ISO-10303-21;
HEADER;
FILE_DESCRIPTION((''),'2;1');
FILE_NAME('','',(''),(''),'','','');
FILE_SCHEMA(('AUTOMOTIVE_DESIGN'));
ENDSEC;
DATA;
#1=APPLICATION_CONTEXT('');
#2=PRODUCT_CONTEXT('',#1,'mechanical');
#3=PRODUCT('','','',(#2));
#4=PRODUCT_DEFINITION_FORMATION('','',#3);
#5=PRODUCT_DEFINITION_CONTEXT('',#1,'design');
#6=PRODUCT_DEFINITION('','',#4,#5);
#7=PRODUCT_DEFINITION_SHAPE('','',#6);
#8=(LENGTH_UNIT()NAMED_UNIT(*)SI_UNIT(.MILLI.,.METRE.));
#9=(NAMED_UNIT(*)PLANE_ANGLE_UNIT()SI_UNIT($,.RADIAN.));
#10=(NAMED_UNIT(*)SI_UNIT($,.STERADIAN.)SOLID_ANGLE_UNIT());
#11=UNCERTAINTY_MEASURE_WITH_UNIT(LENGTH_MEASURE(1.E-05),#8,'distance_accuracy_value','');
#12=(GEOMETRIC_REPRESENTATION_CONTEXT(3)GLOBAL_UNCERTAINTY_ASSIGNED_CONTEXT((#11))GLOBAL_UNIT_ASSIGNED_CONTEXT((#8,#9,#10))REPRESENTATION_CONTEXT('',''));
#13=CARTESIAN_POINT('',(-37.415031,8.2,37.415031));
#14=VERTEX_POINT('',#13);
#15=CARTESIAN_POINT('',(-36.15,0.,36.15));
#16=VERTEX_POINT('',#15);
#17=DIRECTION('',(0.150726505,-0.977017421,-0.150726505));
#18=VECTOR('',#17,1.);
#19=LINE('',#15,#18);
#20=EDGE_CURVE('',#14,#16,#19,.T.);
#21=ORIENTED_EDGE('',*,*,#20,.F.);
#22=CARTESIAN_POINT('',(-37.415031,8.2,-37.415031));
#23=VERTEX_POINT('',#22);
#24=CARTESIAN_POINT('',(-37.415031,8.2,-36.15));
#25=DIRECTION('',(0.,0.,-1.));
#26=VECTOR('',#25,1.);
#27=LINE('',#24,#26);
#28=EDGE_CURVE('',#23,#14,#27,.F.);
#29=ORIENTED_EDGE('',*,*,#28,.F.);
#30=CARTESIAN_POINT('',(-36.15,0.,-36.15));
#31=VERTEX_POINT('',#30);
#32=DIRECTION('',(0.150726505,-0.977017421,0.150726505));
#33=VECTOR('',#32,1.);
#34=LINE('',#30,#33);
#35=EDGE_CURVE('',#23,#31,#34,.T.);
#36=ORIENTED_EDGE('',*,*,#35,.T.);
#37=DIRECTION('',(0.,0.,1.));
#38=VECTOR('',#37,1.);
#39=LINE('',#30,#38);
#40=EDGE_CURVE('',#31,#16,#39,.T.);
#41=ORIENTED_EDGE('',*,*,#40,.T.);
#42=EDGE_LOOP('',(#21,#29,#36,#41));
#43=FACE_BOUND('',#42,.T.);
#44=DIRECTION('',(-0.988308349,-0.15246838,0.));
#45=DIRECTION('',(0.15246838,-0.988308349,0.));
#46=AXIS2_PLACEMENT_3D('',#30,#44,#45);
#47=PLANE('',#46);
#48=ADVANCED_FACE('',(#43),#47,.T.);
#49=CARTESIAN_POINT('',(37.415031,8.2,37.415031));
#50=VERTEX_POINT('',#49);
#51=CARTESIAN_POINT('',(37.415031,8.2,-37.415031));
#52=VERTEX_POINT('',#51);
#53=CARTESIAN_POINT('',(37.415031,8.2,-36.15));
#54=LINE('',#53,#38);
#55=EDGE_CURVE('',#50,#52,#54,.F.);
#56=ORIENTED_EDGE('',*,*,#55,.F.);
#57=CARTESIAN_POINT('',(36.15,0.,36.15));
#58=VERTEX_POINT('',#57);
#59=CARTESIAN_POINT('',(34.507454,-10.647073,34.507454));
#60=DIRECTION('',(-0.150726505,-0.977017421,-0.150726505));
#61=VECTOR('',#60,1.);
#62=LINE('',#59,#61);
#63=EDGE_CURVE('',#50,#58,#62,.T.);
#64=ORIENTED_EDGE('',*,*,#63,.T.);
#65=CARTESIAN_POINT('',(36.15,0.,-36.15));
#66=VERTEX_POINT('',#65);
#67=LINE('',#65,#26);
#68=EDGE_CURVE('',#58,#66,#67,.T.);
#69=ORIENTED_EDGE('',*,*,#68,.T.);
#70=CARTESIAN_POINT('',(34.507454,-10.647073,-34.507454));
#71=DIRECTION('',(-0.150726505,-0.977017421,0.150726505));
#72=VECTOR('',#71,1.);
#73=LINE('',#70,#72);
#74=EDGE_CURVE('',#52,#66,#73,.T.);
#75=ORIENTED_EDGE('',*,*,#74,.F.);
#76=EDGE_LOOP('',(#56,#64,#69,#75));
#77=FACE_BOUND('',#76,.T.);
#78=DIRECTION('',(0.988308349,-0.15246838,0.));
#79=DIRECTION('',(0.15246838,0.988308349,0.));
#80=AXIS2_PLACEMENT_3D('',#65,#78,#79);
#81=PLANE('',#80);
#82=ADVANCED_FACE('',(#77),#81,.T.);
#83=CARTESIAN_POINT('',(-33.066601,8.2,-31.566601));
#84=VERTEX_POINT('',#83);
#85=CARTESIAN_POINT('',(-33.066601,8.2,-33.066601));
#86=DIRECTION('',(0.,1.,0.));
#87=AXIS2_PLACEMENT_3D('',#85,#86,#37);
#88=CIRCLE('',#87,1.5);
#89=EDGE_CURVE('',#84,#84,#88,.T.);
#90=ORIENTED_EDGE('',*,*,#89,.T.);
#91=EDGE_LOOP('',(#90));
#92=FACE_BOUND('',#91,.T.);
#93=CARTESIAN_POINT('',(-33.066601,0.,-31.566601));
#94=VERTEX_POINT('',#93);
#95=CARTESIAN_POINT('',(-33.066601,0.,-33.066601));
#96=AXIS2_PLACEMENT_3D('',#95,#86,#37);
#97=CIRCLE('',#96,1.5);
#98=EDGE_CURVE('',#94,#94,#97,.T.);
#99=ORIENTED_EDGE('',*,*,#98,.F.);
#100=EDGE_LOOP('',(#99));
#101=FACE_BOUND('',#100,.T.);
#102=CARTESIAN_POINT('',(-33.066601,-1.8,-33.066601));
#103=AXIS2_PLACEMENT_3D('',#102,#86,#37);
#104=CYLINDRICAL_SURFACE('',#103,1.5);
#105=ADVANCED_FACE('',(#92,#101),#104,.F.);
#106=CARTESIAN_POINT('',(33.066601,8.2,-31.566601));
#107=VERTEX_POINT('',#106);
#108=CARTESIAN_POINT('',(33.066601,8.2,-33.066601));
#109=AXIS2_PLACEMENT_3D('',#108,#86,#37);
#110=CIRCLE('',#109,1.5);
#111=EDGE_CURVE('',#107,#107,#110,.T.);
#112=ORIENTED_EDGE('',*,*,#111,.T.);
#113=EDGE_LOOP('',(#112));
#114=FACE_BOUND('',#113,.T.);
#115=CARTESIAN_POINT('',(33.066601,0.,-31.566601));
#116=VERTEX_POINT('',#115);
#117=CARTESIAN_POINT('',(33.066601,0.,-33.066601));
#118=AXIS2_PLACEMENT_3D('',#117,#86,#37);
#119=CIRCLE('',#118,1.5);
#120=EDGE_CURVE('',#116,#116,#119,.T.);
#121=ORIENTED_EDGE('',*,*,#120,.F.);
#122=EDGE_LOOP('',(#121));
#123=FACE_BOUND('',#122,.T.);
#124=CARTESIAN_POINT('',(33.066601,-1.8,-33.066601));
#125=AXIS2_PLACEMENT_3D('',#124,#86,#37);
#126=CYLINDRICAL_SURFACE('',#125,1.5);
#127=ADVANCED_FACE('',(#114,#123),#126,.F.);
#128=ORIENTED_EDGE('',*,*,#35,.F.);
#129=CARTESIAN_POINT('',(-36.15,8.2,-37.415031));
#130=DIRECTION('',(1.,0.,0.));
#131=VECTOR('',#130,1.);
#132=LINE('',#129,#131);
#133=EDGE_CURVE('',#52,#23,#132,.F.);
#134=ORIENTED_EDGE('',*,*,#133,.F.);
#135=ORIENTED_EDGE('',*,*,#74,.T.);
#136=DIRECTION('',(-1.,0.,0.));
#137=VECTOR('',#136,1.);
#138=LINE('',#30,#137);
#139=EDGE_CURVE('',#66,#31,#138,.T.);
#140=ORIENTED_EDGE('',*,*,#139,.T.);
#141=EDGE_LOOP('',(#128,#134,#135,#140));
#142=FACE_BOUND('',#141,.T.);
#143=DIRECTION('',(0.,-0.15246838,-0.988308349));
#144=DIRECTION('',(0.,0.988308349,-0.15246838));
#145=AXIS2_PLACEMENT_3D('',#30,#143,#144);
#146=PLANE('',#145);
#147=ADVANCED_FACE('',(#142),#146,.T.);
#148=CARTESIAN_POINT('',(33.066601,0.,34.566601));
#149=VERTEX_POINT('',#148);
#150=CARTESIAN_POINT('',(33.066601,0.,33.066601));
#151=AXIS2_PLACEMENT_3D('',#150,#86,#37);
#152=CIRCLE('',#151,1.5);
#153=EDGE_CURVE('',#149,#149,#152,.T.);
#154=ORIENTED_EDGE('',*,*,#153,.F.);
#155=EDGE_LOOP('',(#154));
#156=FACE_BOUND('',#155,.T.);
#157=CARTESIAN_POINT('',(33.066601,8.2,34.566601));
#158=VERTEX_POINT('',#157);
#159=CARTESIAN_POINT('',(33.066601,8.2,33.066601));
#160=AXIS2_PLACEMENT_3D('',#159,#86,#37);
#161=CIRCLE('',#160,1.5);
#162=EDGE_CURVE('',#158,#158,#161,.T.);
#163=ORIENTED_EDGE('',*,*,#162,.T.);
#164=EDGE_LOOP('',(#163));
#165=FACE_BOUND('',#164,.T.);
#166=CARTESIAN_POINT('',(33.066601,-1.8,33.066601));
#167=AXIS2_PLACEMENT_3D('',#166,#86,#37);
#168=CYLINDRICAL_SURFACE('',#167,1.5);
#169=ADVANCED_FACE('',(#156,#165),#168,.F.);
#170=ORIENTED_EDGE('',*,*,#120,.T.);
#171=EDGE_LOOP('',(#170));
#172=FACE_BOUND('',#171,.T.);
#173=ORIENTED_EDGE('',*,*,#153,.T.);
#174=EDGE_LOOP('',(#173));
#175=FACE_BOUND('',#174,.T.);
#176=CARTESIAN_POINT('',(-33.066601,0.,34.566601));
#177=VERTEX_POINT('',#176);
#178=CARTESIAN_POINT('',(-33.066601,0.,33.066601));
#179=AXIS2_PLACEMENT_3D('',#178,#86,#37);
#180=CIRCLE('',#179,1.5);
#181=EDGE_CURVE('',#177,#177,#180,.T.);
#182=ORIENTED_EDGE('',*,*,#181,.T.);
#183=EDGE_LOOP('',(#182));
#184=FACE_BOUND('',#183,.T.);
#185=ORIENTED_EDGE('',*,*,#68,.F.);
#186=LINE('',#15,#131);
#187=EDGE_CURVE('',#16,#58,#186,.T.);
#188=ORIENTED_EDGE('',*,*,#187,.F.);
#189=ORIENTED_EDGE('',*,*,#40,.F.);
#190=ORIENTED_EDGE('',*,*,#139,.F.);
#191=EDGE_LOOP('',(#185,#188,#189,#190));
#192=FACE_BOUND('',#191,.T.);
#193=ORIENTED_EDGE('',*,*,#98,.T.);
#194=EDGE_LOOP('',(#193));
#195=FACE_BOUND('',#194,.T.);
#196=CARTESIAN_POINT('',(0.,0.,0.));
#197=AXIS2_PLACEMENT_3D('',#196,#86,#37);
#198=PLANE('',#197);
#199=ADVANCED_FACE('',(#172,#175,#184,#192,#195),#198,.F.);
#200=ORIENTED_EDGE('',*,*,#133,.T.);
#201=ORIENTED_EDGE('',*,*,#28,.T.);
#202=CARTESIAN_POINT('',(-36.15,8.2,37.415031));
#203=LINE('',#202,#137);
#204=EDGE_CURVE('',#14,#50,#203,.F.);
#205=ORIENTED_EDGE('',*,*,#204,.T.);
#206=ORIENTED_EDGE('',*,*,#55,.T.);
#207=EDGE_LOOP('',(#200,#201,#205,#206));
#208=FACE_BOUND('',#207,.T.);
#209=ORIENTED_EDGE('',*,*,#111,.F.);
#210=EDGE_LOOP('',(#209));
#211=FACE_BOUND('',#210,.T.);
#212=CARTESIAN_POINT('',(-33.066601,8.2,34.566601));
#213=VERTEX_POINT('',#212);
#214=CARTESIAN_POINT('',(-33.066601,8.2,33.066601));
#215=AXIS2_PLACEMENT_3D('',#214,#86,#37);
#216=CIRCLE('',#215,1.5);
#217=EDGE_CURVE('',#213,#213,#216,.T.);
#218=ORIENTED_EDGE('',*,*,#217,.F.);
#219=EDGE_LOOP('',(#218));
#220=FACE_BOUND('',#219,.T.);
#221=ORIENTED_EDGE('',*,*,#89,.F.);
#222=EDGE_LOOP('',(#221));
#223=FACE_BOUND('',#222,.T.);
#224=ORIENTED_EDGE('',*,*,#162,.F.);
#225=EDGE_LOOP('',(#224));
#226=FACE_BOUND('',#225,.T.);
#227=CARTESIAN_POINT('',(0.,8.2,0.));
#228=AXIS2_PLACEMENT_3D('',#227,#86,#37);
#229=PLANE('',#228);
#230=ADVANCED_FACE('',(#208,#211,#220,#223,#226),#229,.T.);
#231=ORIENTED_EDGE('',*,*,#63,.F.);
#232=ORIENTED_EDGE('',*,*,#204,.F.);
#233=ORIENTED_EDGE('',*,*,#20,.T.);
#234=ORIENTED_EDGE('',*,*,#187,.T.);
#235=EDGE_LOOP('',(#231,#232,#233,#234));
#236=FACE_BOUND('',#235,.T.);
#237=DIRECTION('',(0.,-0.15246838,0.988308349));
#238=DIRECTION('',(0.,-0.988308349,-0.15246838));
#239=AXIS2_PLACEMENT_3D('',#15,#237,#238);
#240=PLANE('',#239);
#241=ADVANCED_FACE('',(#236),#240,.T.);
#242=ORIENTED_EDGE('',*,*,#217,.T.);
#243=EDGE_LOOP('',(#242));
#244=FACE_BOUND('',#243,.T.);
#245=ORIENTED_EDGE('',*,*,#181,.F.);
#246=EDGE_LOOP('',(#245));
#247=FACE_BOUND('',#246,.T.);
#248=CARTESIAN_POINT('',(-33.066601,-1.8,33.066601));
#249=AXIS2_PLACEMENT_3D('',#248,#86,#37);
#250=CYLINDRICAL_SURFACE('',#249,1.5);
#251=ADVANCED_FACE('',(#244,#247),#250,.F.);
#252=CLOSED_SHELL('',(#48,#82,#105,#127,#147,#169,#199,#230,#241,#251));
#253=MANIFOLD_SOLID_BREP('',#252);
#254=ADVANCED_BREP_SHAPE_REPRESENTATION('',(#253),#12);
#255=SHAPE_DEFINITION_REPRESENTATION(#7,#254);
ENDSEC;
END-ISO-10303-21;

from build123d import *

# Parameters (mm, degrees)
SKETCH1_W           = 72.3
SKETCH1_H           = 72.3
BOSS_EXTRUDE1_DEPTH = 8.2
BOSS_EXTRUDE1_DRAFT = -8.77
SKETCH2_R           = 1.5
CUT_EXTRUDE1_DEPTH  = 10


with BuildPart() as part:
    # Sketch1 → Boss-Extrude1 (with draft: the straight prism first)
    with BuildSketch(Plane(origin=(0, 0, 0), x_dir=(1, 0, 0), z_dir=(0, 1, 0))):
        Rectangle(SKETCH1_W, SKETCH1_H)
    extrude(amount=BOSS_EXTRUDE1_DEPTH)
    # Boss-Extrude1: the draft: its side faces are tilted about the plane it starts from
    boss_extrude1_sides = [part.faces().sort_by_distance(p)[0] for p in [
        (-36.15, 4.1, 0),
        (0, 4.1, 36.15),
        (36.15, 4.1, 0),
        (0, 4.1, -36.15),
    ]]
    draft(boss_extrude1_sides, Plane(origin=(0, 0, 0), x_dir=(1, 0, 0), z_dir=(0, 1, 0)), BOSS_EXTRUDE1_DRAFT)

    # Sketch2 → Cut-Extrude1 (cut)
    with BuildSketch(Plane(origin=(0, 8.2, 0), x_dir=(1, 0, 0), z_dir=(0, 1, 0))):
        with Locations(Location((-33.066601018, 33.066601018, 0), (0, 0, 270))):
            Circle(SKETCH2_R)
        with Locations(Location((33.066601018, 33.066601018, 0), (0, 0, 270))):
            Circle(SKETCH2_R)
        with Locations(Location((33.066601018, -33.066601018, 0), (0, 0, 270))):
            Circle(SKETCH2_R)
        with Locations(Location((-33.066601018, -33.066601018, 0), (0, 0, 270))):
            Circle(SKETCH2_R)
    extrude(amount=-CUT_EXTRUDE1_DEPTH, mode=Mode.SUBTRACT)


solid = part.part
